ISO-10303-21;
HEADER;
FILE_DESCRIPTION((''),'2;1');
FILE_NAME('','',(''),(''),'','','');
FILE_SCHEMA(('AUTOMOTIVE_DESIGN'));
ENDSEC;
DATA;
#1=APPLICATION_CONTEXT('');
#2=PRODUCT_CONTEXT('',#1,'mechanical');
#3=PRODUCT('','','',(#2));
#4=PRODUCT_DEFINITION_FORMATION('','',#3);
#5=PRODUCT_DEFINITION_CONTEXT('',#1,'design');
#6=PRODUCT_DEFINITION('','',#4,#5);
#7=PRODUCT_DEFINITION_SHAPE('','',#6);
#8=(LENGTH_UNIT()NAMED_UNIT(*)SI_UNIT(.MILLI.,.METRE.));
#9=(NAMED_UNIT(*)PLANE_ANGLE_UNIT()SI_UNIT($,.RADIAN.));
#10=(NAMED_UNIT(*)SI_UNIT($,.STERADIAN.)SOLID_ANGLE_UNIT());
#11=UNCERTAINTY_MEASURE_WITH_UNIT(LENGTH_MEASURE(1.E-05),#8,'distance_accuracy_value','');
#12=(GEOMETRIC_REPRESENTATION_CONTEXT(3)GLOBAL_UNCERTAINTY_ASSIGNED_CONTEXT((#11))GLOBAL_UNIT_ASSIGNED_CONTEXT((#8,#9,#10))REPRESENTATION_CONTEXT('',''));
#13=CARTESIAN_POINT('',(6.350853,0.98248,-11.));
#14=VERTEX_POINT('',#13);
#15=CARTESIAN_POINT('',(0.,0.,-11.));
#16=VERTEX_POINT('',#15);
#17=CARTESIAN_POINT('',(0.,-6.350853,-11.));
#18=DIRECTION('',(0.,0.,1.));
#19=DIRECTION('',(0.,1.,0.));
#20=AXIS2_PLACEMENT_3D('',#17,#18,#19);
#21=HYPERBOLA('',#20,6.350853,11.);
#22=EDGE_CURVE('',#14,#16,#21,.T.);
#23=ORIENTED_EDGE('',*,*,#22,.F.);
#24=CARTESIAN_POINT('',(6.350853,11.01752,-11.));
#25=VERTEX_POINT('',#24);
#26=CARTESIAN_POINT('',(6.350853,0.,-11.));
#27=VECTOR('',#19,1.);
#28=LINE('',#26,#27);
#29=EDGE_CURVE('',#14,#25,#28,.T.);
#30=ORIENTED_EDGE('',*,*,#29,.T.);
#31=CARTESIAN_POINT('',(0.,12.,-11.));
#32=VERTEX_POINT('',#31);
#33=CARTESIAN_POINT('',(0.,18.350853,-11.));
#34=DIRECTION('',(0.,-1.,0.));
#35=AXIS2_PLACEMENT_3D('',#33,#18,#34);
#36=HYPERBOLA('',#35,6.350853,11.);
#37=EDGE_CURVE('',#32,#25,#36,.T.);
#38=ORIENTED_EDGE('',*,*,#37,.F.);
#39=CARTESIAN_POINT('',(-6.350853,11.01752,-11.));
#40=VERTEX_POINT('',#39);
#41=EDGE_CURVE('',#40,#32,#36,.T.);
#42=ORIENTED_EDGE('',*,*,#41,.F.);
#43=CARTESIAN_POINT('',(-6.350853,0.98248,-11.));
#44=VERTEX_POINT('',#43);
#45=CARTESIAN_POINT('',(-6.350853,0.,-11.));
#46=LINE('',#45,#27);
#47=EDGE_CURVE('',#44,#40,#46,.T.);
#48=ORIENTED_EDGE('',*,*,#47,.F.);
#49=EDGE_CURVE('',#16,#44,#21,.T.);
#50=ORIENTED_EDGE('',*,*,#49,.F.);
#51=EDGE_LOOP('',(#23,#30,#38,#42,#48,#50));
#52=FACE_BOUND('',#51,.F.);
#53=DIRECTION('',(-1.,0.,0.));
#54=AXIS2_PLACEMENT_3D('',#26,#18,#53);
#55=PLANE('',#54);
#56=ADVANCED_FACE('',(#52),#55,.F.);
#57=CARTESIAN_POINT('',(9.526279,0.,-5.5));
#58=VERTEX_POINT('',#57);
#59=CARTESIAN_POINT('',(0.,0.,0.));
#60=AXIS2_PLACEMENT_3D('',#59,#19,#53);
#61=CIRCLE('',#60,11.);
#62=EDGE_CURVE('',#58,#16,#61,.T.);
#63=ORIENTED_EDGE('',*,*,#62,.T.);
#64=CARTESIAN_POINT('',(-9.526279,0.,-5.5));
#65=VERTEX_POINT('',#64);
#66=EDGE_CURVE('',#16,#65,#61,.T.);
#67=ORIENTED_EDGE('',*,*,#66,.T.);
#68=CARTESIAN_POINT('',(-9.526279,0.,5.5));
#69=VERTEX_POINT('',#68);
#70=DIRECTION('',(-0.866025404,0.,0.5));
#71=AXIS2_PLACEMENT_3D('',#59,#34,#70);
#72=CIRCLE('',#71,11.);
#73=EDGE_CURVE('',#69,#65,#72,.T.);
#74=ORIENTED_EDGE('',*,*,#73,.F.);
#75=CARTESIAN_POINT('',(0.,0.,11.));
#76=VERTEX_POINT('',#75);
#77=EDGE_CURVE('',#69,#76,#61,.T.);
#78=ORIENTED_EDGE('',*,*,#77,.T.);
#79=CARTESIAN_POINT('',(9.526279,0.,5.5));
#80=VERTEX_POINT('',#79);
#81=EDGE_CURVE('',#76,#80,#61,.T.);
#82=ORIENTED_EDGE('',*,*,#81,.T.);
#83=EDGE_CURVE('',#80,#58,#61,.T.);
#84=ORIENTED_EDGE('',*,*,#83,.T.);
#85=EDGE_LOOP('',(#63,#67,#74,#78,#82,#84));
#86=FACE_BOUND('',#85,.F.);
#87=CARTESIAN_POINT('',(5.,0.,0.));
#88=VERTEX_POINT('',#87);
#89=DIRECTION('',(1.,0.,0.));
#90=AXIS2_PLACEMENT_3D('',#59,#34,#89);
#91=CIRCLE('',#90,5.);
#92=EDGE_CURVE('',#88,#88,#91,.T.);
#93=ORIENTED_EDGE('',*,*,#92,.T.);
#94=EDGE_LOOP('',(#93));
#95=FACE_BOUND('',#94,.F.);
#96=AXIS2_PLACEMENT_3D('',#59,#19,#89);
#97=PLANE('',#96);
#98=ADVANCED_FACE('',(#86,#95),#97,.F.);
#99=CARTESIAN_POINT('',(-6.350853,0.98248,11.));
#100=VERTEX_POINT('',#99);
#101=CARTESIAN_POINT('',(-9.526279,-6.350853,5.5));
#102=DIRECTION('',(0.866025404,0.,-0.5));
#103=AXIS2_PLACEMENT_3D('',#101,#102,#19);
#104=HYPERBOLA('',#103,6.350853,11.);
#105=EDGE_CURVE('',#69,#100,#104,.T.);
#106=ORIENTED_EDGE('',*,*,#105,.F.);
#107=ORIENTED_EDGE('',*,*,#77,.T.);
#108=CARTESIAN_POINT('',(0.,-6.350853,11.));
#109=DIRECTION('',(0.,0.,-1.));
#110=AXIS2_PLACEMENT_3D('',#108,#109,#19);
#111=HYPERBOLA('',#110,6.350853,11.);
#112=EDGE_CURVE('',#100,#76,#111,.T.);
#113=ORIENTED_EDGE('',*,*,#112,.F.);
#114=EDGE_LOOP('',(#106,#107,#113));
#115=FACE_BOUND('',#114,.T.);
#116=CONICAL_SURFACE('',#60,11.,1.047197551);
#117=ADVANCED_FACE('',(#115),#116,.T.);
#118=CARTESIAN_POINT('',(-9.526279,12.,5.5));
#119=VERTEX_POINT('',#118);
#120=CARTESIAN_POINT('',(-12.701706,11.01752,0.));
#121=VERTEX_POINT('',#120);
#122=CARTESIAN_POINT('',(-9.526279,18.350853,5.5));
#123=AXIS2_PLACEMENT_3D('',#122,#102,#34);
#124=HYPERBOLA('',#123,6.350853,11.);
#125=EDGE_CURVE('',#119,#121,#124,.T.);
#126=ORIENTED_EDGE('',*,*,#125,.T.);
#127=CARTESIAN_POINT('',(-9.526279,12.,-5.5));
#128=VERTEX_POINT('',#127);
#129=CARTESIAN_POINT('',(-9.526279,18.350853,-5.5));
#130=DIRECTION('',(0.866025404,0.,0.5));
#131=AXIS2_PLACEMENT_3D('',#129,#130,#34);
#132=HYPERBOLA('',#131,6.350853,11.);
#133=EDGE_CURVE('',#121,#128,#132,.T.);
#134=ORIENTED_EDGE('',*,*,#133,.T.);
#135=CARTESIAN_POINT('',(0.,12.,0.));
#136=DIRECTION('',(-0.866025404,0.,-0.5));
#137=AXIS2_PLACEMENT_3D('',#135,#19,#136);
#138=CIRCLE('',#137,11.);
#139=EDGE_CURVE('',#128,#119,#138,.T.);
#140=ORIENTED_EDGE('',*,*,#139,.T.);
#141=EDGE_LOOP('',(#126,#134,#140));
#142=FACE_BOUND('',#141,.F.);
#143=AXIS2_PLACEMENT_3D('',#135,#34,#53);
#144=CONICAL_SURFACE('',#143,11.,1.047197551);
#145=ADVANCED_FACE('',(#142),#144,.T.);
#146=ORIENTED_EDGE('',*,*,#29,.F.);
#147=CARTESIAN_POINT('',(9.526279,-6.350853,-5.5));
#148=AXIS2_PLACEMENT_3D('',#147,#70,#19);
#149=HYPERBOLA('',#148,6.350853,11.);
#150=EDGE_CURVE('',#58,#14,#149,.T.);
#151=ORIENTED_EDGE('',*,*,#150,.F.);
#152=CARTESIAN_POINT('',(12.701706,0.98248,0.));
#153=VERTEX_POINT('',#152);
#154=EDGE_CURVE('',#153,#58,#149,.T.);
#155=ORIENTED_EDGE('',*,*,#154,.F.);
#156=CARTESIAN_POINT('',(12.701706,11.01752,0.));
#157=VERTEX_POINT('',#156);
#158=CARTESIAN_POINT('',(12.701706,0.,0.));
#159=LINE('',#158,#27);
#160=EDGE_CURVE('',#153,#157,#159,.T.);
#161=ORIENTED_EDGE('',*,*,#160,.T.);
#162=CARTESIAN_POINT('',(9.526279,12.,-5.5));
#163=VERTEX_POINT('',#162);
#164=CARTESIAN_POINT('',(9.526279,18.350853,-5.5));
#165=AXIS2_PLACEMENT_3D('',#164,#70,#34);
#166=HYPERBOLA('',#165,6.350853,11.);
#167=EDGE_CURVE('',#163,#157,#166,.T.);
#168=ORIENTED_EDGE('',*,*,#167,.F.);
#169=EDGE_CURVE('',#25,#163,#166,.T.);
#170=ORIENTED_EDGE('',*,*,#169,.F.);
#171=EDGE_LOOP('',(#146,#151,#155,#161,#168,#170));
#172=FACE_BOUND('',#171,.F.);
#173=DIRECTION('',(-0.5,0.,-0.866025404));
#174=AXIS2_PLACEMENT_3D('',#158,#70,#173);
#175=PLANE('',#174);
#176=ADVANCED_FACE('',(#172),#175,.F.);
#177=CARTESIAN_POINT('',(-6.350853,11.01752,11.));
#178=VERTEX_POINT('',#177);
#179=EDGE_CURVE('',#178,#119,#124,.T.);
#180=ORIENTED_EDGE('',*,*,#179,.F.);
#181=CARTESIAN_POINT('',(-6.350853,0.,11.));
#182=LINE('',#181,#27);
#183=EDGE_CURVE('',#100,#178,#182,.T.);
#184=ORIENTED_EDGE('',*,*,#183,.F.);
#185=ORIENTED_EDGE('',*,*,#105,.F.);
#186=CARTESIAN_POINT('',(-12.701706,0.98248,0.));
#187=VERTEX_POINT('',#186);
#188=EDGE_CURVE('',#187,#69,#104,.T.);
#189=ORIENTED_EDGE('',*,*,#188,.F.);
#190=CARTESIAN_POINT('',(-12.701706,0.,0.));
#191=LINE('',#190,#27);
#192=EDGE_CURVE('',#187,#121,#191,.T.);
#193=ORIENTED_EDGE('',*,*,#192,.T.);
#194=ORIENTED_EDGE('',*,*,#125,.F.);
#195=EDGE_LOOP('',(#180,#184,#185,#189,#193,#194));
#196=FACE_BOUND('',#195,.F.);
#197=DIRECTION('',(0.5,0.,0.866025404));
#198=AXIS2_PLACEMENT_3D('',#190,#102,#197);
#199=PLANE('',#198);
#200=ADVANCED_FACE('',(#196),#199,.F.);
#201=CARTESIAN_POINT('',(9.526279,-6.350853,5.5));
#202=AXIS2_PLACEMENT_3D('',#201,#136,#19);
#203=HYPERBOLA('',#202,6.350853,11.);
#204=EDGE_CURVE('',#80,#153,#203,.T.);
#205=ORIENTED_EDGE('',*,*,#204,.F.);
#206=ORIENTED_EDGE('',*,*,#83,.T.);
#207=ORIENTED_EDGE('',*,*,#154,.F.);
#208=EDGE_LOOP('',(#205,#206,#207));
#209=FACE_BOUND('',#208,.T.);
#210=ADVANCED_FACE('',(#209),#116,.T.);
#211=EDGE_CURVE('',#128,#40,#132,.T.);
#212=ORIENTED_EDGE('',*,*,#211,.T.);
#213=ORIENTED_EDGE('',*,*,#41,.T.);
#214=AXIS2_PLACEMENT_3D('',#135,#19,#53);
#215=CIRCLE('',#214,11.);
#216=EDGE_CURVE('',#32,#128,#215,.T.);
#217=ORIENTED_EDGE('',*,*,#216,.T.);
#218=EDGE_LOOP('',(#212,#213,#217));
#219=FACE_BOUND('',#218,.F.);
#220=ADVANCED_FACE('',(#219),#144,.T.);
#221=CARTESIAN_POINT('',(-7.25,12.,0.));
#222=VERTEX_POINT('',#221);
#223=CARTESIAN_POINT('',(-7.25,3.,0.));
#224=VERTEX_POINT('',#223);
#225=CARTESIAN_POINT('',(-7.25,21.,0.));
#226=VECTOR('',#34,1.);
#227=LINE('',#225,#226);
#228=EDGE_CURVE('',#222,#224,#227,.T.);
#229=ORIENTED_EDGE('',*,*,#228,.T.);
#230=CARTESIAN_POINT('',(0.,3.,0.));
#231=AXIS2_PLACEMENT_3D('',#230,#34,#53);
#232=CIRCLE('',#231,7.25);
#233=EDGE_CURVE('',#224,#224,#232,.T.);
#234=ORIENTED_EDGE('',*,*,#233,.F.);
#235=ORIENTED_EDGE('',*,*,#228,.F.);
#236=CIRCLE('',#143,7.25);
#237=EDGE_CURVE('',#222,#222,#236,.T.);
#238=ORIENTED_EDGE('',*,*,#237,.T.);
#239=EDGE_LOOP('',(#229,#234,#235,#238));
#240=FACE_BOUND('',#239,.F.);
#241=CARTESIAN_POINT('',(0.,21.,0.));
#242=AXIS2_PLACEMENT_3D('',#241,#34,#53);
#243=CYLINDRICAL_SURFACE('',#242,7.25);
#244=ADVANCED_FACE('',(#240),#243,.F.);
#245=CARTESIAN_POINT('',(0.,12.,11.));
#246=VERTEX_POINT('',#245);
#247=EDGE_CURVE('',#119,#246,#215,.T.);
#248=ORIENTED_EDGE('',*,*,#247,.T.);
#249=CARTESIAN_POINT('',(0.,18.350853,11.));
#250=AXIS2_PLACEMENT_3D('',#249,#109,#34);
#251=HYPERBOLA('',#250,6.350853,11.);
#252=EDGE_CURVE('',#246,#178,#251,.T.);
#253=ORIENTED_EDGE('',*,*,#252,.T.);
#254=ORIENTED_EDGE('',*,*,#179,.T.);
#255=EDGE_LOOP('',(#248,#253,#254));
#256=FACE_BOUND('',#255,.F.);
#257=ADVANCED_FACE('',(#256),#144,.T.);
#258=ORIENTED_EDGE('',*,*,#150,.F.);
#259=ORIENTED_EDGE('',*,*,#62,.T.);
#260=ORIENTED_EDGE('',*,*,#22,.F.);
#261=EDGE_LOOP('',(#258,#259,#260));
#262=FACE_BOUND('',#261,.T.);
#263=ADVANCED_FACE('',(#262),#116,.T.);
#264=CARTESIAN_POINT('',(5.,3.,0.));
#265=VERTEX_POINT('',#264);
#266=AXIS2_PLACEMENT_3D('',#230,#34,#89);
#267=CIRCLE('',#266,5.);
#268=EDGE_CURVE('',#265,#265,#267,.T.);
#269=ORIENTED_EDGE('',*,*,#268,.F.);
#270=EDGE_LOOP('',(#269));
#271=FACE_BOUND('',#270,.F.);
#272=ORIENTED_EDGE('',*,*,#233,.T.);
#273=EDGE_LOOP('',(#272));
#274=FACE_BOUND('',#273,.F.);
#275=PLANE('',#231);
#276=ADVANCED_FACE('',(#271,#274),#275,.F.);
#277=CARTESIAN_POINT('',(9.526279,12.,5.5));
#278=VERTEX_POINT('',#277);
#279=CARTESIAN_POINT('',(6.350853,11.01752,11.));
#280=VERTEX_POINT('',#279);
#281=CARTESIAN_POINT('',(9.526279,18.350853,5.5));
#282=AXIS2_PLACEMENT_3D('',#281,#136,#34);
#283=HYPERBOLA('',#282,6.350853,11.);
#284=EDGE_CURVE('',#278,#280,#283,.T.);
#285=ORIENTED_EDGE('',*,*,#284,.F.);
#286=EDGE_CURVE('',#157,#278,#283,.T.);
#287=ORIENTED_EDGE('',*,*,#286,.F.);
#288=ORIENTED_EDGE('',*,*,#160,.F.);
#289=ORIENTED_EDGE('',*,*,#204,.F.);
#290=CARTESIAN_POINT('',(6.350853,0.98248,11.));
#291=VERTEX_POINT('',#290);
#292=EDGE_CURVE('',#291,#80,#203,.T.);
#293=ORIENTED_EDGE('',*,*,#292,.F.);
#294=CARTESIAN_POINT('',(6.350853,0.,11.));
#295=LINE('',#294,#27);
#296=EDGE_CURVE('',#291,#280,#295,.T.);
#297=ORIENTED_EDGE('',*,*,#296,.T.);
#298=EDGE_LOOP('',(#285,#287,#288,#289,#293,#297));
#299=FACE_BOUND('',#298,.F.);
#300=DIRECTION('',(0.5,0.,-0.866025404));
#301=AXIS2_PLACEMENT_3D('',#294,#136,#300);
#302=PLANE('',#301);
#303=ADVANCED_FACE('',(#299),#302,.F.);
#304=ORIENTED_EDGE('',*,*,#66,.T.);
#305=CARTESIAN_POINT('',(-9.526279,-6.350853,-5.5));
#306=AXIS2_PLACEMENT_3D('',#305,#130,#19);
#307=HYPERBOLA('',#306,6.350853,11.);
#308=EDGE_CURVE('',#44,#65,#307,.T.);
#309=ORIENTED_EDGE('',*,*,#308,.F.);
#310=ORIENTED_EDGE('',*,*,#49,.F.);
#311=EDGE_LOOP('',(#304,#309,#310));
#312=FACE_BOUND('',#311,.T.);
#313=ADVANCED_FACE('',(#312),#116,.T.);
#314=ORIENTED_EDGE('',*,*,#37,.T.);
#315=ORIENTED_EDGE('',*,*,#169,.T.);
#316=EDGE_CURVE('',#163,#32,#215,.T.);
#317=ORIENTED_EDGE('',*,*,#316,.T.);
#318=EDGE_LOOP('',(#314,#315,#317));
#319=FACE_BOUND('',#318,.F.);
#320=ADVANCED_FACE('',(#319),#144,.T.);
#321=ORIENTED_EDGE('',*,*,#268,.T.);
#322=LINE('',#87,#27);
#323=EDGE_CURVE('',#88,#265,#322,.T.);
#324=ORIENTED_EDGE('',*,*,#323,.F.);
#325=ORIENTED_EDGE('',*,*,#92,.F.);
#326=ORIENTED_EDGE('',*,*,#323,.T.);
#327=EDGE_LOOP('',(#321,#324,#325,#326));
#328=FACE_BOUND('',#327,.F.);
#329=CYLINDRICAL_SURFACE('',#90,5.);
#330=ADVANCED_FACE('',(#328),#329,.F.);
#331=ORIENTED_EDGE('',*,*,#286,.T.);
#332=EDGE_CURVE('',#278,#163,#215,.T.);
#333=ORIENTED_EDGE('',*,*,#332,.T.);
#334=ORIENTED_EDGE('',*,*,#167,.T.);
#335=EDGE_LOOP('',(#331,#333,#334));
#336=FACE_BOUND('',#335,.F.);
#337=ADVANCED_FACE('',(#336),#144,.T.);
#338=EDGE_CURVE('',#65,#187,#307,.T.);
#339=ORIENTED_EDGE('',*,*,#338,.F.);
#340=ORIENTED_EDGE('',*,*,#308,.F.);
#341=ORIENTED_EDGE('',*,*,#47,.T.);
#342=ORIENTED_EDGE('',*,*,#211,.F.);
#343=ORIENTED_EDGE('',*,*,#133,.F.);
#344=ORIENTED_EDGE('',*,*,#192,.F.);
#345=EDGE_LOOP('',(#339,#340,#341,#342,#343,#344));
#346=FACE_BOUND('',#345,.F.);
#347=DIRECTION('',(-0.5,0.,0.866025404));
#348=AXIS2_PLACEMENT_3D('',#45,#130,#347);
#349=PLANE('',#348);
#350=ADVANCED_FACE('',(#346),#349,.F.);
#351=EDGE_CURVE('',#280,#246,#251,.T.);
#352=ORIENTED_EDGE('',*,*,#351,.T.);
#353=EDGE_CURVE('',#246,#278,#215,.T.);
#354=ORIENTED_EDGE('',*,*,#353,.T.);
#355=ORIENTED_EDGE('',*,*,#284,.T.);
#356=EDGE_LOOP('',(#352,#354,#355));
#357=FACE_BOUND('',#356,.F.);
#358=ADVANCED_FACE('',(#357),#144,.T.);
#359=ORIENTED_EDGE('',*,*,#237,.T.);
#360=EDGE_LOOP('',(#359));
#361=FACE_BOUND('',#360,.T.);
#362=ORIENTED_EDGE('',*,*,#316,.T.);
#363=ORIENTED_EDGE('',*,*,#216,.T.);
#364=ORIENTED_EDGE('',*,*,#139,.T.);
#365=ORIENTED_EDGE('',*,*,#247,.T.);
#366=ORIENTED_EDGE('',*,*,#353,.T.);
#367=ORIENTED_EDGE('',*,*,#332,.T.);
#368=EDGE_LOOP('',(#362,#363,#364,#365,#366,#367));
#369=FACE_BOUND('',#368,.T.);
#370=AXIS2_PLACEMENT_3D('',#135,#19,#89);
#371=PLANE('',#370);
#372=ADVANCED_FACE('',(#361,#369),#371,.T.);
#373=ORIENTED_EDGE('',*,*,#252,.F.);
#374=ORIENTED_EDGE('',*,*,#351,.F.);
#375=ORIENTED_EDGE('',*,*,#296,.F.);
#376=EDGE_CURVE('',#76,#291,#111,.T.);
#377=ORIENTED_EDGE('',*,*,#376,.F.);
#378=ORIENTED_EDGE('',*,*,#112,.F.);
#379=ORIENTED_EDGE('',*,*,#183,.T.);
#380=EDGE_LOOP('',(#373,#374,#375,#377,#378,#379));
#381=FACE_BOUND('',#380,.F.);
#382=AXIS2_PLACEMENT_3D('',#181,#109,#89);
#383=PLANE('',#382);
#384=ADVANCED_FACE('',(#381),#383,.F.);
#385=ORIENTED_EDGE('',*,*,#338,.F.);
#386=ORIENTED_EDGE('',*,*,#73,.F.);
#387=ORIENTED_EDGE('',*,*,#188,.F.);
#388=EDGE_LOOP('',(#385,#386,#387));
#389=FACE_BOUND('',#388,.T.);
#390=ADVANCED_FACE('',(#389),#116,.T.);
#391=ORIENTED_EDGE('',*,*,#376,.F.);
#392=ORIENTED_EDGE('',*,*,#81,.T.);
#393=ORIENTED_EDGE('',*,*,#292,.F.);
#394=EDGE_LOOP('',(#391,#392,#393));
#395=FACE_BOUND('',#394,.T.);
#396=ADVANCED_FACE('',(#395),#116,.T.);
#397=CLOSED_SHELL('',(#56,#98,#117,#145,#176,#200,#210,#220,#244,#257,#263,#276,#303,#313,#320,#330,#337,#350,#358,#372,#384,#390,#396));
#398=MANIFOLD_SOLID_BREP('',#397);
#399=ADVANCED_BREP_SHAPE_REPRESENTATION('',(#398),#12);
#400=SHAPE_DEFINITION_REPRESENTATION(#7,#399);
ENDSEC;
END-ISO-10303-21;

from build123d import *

# Parameters (mm, degrees)
AUFSATZ_LINEAR_AUSTRAGEN1_DEPTH = 12
SKIZZE2_R                       = 5
SCHNITT_LINEAR_AUSTRAGEN1_DEPTH = 3
M16X1_5_GEWINDEBOHRUNG1_D       = 14.5
M16X1_5_GEWINDEBOHRUNG1_DEPTH   = 9


with BuildPart() as part:
    # Skizze1 → Aufsatz-Linear austragen1 (new body)
    with BuildSketch(Plane(origin=(0, 0, 0), x_dir=(1, 0, 0), z_dir=(0, 1, 0))):
        Polygon((12.701705922, 0), (6.350852961, 11), (-6.350852961, 11), (-12.701705922, 0), (-6.350852961, -11), (6.350852961, -11), align=None)
    extrude(amount=AUFSATZ_LINEAR_AUSTRAGEN1_DEPTH)

    # Skizze2 → Schnitt-Linear austragen1 (cut)
    with BuildSketch(Plane.XZ):
        Circle(SKIZZE2_R)
    extrude(amount=-SCHNITT_LINEAR_AUSTRAGEN1_DEPTH, mode=Mode.SUBTRACT)

    # M16x1.5 Gewindebohrung1
    with Locations(Plane(origin=(0, 12, 0), x_dir=(1, 0, 0), z_dir=(0, 1, 0))):
        with Locations((0, 0)):
            Hole(M16X1_5_GEWINDEBOHRUNG1_D / 2, depth=M16X1_5_GEWINDEBOHRUNG1_DEPTH)

    # Skizze5 → Schnitt-Rotation1 (revolve, cut)
    with BuildSketch(Plane.XY):
        Polygon((-12.701705922, 12), (-11, 12), (-12.701705922, 11.017519628), align=None)
        Polygon((-12.701705922, 0), (-11, 0), (-12.701705922, 0.982480372), align=None)
    revolve(axis=Axis((0, 0, 0), (0, 1, 0)), mode=Mode.SUBTRACT)


solid = part.part
